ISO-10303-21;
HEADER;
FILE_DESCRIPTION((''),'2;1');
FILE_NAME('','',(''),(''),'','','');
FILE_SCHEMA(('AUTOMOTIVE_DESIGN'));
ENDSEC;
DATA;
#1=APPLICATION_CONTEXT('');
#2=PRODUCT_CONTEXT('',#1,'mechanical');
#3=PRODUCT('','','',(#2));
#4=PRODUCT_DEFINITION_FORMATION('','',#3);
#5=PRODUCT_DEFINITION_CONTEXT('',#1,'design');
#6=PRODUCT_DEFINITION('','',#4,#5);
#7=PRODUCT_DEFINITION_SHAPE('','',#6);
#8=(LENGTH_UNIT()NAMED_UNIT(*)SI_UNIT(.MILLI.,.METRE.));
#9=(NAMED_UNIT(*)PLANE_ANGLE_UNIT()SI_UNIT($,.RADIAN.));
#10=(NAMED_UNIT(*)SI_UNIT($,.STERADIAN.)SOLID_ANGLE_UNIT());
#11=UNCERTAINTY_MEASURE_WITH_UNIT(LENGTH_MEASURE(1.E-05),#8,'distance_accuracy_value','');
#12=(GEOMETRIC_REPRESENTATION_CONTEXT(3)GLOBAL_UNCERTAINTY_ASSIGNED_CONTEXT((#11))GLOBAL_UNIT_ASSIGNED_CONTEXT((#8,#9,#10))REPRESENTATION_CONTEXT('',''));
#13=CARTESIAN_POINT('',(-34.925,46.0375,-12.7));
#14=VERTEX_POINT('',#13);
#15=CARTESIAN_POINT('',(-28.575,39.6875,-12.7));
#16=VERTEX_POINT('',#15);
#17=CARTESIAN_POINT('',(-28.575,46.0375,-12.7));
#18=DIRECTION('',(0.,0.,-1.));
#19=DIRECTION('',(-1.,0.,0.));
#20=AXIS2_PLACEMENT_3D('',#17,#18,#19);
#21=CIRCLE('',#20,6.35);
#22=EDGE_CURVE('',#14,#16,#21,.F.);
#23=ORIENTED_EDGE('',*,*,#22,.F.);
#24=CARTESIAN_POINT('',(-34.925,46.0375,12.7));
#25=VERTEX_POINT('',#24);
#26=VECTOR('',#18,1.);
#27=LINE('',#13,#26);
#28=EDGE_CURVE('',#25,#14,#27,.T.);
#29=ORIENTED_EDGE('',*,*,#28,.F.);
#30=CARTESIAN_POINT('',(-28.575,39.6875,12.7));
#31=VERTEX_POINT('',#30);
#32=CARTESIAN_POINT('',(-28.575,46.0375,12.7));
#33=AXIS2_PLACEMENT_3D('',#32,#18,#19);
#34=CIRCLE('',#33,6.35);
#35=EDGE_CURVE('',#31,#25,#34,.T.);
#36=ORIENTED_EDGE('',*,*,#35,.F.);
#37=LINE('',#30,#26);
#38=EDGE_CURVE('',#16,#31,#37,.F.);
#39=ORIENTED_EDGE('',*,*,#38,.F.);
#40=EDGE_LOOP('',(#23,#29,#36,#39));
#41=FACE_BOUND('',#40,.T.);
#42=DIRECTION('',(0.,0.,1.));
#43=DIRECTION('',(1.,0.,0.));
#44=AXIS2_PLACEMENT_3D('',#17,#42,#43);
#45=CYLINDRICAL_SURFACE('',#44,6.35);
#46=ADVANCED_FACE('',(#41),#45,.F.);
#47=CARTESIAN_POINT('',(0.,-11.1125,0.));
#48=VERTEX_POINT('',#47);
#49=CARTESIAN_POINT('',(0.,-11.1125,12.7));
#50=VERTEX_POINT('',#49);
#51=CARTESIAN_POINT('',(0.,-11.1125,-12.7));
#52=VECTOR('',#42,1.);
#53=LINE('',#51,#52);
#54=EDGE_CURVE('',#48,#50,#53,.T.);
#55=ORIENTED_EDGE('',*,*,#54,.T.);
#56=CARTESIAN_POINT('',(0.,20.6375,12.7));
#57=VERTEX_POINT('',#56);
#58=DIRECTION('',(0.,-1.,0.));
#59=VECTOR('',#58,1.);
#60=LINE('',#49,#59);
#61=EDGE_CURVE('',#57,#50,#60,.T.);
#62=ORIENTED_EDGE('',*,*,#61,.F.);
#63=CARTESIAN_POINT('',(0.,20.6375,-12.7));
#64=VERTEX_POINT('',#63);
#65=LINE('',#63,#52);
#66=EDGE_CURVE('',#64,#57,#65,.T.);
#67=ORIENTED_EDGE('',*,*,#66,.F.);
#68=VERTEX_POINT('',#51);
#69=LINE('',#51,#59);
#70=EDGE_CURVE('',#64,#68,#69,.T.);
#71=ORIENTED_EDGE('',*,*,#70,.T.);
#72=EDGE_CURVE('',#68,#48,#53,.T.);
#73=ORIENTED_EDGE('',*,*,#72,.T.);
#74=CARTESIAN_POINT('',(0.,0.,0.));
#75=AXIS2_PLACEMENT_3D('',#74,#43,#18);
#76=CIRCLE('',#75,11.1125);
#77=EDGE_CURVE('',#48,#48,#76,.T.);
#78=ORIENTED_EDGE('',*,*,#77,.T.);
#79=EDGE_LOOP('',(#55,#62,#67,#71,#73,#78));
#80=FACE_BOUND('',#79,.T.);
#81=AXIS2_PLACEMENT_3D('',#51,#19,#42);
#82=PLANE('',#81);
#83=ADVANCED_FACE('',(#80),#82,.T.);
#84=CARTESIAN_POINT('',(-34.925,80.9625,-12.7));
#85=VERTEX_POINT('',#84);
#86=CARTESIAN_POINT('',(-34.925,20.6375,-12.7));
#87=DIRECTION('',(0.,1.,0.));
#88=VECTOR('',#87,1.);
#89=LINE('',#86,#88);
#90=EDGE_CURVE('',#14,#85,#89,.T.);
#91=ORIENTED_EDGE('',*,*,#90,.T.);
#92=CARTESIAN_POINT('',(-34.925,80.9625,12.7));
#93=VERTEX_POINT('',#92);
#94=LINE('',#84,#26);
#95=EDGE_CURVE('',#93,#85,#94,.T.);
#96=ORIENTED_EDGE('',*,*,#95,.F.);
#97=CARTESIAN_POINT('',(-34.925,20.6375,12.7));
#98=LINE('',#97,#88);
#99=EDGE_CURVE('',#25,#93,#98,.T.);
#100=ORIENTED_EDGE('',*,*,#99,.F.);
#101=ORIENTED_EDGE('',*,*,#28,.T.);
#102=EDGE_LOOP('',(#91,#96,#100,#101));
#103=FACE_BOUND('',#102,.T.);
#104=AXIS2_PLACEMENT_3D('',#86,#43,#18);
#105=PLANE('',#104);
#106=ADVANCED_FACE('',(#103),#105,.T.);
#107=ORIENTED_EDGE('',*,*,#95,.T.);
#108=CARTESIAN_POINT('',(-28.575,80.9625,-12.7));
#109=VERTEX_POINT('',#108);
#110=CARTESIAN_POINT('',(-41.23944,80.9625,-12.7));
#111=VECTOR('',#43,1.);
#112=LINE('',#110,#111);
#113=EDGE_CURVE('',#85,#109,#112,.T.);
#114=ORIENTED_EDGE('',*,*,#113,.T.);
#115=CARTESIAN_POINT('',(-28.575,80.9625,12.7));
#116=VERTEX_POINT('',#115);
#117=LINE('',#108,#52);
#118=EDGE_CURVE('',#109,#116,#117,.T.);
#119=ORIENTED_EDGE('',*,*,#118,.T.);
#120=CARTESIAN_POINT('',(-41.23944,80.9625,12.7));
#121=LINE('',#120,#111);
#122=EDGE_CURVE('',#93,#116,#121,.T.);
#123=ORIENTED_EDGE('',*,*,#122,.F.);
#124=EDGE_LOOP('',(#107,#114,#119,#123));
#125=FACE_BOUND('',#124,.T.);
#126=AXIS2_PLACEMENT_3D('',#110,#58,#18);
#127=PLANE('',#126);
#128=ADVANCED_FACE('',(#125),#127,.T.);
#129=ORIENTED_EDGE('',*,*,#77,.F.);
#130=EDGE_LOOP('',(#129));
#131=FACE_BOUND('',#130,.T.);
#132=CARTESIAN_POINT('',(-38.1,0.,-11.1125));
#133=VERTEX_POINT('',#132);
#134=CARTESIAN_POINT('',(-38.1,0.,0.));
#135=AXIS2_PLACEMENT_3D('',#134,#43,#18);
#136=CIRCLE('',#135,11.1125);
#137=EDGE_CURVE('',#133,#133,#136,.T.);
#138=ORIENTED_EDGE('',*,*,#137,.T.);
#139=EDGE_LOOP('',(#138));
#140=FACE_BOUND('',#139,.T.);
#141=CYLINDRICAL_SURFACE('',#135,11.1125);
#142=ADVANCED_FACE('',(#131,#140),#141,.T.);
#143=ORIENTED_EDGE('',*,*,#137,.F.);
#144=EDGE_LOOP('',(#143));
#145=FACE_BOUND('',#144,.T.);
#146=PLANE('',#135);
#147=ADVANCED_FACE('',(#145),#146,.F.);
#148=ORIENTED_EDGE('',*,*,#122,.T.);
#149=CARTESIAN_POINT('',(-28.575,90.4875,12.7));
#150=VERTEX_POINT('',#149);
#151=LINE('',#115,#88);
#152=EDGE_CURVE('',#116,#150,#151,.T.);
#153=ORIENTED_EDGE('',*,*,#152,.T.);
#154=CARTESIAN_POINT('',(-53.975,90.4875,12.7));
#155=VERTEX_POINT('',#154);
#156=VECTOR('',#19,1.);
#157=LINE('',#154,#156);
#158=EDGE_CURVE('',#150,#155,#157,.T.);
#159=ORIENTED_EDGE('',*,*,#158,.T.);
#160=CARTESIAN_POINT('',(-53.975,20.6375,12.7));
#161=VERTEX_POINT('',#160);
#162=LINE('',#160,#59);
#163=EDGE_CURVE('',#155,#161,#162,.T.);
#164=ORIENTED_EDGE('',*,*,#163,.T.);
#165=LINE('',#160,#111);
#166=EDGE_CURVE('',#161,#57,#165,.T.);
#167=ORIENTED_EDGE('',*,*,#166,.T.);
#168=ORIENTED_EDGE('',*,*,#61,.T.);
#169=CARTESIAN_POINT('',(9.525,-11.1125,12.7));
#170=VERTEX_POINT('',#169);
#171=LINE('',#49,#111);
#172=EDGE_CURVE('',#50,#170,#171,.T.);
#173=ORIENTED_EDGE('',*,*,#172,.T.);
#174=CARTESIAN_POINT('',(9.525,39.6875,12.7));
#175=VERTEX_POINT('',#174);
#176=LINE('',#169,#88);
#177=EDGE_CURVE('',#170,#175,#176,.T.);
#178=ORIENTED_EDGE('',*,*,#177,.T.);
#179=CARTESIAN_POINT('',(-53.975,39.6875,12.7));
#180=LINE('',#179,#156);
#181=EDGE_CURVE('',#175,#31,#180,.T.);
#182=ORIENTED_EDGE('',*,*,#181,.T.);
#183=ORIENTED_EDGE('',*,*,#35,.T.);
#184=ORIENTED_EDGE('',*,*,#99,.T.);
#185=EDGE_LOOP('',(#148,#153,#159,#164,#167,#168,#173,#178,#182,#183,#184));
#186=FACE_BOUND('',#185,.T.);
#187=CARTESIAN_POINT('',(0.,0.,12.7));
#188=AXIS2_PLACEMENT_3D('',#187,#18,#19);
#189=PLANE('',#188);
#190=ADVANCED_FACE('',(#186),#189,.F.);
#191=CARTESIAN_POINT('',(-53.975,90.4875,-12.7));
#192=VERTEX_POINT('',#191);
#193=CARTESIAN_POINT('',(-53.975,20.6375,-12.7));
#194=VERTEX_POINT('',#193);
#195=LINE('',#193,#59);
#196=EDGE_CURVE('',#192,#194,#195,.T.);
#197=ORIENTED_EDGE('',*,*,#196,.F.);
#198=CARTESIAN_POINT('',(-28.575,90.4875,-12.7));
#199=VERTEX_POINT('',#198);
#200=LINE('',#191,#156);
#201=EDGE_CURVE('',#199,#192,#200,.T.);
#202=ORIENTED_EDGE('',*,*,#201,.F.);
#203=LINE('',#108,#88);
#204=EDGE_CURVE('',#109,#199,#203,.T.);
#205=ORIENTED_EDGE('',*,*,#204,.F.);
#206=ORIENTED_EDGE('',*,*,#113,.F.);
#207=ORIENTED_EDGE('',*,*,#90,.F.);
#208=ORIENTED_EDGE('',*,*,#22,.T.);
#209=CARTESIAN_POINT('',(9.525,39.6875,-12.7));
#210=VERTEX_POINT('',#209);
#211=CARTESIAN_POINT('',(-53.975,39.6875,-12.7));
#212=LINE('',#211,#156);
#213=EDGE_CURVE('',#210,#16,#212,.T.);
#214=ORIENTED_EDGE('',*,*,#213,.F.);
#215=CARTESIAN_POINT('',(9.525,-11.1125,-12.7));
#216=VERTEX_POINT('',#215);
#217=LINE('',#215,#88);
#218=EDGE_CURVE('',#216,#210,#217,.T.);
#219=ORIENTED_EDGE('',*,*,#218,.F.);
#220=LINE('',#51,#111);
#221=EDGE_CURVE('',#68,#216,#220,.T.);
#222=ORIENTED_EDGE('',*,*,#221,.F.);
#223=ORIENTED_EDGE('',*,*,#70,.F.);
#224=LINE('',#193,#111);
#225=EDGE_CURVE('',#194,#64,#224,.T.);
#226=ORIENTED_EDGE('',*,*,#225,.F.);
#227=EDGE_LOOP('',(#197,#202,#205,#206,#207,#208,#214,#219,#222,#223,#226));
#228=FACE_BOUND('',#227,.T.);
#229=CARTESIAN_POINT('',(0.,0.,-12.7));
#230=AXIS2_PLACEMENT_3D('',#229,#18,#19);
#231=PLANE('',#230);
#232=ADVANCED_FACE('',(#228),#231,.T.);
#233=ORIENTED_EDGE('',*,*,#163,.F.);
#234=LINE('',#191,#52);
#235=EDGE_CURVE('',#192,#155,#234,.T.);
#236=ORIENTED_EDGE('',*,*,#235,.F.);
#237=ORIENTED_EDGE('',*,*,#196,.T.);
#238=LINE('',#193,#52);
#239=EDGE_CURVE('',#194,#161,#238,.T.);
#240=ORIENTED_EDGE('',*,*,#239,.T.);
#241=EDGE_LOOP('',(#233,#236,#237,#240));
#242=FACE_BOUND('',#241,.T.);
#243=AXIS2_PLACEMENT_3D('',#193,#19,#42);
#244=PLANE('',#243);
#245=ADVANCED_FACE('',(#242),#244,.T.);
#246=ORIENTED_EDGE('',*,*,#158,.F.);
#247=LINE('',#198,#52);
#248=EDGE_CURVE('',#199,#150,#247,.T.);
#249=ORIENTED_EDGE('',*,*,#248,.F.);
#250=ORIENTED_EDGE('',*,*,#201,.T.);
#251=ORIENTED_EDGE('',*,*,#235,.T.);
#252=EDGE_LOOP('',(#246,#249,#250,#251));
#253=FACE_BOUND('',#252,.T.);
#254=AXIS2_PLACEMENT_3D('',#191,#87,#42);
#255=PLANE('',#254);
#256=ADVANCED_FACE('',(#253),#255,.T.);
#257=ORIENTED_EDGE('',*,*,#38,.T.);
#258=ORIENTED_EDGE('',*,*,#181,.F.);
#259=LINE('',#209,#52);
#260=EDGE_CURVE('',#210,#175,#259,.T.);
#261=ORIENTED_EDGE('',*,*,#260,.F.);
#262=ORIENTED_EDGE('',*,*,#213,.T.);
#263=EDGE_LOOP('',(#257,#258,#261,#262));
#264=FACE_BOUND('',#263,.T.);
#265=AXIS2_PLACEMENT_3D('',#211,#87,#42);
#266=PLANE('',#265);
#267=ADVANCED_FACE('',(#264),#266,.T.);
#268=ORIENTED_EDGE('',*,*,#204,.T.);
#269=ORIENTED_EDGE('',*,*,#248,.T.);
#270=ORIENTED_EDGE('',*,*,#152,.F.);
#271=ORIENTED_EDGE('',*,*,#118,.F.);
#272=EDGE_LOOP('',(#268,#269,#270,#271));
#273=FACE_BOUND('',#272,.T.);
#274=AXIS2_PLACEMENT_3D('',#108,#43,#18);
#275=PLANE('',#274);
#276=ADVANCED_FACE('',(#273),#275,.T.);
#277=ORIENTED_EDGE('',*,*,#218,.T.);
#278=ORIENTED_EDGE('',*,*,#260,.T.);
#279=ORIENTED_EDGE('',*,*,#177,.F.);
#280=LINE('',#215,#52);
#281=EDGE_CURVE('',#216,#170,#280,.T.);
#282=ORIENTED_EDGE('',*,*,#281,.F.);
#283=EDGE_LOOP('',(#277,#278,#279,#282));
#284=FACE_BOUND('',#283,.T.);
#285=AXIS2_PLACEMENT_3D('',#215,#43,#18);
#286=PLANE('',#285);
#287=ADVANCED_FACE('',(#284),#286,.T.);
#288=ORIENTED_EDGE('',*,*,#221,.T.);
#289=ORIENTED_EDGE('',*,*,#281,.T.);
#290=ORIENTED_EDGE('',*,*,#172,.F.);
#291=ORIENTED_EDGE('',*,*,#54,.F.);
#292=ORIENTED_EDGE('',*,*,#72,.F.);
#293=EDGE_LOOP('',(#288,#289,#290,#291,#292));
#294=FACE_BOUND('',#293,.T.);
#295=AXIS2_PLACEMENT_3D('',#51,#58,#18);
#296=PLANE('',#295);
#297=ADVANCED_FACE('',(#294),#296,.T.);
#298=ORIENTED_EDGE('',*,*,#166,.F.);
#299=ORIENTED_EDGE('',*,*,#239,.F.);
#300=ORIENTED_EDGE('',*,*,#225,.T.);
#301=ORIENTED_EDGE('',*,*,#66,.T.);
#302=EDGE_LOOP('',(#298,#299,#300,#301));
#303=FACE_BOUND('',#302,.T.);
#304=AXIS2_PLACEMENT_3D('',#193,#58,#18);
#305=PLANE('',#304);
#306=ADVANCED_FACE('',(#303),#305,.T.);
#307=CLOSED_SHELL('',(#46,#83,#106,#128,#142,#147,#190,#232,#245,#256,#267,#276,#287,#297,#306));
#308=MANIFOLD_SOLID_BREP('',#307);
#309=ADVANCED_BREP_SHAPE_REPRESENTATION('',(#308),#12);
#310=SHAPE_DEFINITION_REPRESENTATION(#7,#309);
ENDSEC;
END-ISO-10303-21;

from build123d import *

# Parameters (mm, degrees)
SKETCH1_R                = 11.1125
BOSS_EXTRUDE1_DEPTH      = 38.1
BOSS_EXTRUDE2_DEPTH      = 12.7
BOSS_EXTRUDE2_DEPTH_BACK = 12.7
SKETCH2_W                = 9.525
SKETCH2_H                = 31.75
BOSS_EXTRUDE3_DEPTH      = 12.7
BOSS_EXTRUDE3_DEPTH_BACK = 12.7
SKETCH3_W                = 63.5
SKETCH3_H                = 19.05
BOSS_EXTRUDE4_DEPTH      = 12.7
BOSS_EXTRUDE4_DEPTH_BACK = 12.7
SKETCH4_W                = 19.05
SKETCH4_H                = 69.85
BOSS_EXTRUDE5_DEPTH      = 12.7
BOSS_EXTRUDE5_DEPTH_BACK = 12.7
FILLET1_R                = 6.35


with BuildPart() as part:
    # Sketch1 → Boss-Extrude1 (new body)
    with BuildSketch(Plane(origin=(0, 0, 0), x_dir=(0, 0, -1), z_dir=(1, 0, 0))):
        Circle(SKETCH1_R)
    extrude(amount=-BOSS_EXTRUDE1_DEPTH)

    # Sketch2 → Boss-Extrude2 (add, two sides: drawn at the far end of the back side and taken through both)
    with BuildSketch(Plane.XY.offset(-BOSS_EXTRUDE2_DEPTH_BACK)):
        with Locations((4.7625, 4.7625)):
            Rectangle(SKETCH2_W, SKETCH2_H)
    extrude(amount=BOSS_EXTRUDE2_DEPTH + BOSS_EXTRUDE2_DEPTH_BACK)

    # Sketch3 → Boss-Extrude3 (add, two sides: drawn at the far end of the back side and taken through both)
    with BuildSketch(Plane.XY.offset(-BOSS_EXTRUDE3_DEPTH_BACK)):
        with Locations((-22.225, 30.1625)):
            Rectangle(SKETCH3_W, SKETCH3_H)
    extrude(amount=BOSS_EXTRUDE3_DEPTH + BOSS_EXTRUDE3_DEPTH_BACK)

    # Sketch4 → Boss-Extrude4 (add, two sides: drawn at the far end of the back side and taken through both)
    with BuildSketch(Plane.XY.offset(-BOSS_EXTRUDE4_DEPTH_BACK)):
        with Locations((-44.45, 55.5625)):
            Rectangle(SKETCH4_W, SKETCH4_H)
    extrude(amount=BOSS_EXTRUDE4_DEPTH + BOSS_EXTRUDE4_DEPTH_BACK)

    # Sketch5 → Boss-Extrude5 (add, two sides: drawn at the far end of the back side and taken through both)
    with BuildSketch(Plane.XY.offset(-BOSS_EXTRUDE5_DEPTH_BACK)):
        Polygon((-53.975, 77.7875), (-41.23944, 77.7875), (-41.23944, 80.9625), (-28.575, 80.9625), (-28.575, 90.4875), (-53.975, 90.4875), align=None)
    extrude(amount=BOSS_EXTRUDE5_DEPTH + BOSS_EXTRUDE5_DEPTH_BACK)

    # Fillet1
    fillet1_edges = [part.edges().sort_by_distance(p)[0] for p in [
        (-34.925, 39.6875, 0),
    ]]
    fillet(fillet1_edges, radius=FILLET1_R)


solid = part.part
